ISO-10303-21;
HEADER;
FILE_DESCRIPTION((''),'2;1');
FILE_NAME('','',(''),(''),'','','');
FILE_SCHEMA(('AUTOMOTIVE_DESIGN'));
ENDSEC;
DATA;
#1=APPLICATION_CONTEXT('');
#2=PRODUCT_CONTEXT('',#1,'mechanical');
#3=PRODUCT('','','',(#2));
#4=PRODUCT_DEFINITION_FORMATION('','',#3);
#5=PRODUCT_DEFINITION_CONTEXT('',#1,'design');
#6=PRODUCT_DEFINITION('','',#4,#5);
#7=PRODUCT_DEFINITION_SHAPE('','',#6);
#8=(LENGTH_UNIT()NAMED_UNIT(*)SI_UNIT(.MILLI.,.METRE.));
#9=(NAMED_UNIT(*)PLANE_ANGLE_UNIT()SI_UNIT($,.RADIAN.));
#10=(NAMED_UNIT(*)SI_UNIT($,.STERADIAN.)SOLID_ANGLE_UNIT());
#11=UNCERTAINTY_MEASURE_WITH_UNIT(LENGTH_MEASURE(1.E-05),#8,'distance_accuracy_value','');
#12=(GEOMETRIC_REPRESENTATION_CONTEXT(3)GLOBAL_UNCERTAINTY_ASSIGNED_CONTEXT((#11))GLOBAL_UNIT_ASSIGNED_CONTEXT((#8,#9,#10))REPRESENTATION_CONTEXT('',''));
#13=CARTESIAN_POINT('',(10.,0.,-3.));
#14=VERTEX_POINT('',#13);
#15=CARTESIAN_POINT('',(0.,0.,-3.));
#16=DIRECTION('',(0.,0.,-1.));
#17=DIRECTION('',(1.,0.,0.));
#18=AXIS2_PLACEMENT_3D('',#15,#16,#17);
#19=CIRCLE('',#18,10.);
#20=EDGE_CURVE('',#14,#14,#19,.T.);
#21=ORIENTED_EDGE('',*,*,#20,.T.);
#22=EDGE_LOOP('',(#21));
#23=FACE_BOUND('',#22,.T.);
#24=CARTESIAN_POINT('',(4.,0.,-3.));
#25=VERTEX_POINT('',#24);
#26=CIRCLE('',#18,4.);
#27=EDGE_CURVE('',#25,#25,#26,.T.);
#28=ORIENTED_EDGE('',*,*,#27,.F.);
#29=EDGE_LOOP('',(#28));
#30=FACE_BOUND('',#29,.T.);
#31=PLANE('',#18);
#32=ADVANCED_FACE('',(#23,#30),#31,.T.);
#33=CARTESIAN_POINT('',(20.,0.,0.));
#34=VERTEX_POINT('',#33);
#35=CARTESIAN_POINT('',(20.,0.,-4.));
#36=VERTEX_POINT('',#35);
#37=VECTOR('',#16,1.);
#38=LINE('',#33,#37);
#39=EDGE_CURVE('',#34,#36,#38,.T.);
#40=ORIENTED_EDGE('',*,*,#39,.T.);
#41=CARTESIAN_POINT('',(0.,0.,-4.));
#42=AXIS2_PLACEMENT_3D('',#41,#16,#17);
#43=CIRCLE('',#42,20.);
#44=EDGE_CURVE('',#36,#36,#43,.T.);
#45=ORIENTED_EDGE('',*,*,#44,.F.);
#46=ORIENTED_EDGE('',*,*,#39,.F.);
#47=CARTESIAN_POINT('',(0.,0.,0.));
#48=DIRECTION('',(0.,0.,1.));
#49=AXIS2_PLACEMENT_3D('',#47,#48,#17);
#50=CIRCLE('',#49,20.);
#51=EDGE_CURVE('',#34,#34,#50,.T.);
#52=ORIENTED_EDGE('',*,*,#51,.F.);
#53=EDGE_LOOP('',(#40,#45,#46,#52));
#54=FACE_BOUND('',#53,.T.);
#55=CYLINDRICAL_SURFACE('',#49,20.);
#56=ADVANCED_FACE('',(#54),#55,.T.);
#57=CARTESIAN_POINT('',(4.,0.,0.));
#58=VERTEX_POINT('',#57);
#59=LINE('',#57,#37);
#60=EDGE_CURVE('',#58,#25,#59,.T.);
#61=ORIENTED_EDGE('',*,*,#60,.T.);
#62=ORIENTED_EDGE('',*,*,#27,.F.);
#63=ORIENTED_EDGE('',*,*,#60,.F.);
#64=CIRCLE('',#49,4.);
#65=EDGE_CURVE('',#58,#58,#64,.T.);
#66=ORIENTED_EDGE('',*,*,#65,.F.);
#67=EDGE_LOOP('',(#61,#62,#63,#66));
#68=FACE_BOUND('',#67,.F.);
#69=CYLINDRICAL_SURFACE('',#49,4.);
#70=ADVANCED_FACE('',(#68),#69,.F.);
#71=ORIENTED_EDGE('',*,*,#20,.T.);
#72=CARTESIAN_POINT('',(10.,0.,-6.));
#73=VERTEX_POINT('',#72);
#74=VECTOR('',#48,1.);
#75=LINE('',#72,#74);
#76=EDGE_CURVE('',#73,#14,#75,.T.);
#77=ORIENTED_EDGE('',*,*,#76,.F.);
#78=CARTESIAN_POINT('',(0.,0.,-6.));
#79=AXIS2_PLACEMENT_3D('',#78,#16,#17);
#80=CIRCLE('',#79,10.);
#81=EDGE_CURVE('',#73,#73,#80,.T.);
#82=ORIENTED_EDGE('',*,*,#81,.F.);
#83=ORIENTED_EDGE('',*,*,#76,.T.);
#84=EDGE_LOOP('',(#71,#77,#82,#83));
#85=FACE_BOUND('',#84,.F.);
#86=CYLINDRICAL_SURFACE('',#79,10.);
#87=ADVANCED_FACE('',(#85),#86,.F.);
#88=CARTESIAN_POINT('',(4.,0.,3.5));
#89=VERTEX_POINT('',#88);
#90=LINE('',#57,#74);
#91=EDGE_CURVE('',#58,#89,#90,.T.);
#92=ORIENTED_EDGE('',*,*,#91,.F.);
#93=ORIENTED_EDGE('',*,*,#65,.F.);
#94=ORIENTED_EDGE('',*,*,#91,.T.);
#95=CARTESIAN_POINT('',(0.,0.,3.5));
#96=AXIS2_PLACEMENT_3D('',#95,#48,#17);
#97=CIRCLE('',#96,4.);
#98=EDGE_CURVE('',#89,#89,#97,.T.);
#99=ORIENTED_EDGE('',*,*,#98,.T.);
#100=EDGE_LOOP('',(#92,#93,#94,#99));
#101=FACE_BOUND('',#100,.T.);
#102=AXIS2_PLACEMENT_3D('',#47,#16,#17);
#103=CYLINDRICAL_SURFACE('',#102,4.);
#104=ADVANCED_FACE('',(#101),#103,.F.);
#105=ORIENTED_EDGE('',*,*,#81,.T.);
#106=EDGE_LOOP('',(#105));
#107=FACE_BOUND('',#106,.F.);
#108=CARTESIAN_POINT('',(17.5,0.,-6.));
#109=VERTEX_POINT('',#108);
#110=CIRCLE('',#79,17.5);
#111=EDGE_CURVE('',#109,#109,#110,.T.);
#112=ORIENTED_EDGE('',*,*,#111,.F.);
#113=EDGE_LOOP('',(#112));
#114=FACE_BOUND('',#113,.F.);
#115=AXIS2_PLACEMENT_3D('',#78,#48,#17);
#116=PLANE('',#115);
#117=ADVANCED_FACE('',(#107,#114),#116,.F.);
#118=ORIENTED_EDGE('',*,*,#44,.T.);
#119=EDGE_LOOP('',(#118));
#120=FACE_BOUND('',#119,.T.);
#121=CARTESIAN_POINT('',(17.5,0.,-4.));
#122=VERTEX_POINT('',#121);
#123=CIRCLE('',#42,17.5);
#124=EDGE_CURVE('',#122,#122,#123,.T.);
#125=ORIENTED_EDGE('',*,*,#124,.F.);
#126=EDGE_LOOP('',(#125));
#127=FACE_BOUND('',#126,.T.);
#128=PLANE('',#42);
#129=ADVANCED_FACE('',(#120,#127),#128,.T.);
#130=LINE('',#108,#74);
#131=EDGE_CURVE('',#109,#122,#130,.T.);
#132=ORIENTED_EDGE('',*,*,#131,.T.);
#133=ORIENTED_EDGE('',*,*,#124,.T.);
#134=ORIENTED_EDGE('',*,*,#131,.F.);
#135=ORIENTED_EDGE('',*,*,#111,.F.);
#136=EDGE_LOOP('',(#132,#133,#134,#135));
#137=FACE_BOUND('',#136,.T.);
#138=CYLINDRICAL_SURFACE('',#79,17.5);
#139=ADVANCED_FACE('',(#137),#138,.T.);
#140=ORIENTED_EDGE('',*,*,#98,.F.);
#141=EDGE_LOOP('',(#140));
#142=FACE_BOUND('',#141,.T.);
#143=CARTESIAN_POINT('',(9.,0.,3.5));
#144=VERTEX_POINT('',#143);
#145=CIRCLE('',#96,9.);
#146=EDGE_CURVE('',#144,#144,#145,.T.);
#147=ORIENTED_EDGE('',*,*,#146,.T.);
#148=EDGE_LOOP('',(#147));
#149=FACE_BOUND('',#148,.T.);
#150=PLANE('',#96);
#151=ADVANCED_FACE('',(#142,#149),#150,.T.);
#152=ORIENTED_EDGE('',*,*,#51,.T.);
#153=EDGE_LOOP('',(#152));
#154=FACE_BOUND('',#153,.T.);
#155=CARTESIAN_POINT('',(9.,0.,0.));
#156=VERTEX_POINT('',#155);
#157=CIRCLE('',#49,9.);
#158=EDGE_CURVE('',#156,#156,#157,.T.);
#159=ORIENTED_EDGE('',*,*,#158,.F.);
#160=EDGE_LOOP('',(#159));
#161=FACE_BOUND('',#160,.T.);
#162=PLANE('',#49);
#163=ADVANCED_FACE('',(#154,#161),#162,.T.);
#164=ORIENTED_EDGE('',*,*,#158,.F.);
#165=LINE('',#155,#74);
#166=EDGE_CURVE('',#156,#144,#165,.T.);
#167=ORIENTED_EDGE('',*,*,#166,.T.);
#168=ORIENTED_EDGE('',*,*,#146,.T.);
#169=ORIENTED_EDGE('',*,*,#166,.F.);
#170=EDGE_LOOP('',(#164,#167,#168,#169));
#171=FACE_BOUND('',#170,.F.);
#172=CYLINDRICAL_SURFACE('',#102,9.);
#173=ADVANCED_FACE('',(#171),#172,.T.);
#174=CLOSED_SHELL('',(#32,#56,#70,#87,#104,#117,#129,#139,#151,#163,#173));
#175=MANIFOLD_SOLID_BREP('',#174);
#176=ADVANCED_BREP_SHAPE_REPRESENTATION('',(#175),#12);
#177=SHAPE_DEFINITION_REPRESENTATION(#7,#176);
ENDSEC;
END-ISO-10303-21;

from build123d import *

# Parameters (mm, degrees)
F0_R     = 9
F0_R_2   = 4
F1_DEPTH = 3.5
F0_R_3   = 20
F2_DEPTH = 6
F3_R     = 10
F3_R_2   = 4
F4_DEPTH = 3
F3_R_3   = 20
F3_R_4   = 17.5
F5_DEPTH = 2


with BuildPart() as f1:
    # F0 (on Top) → F1 (new body)
    with BuildSketch(Plane.XY):
        Circle(F0_R)
        Circle(F0_R_2, mode=Mode.SUBTRACT)
    extrude(amount=F1_DEPTH)

    # F0 (on Top) → F2 (join)
    with BuildSketch(Plane.XY):
        Circle(F0_R_3)
        Circle(F0_R, mode=Mode.SUBTRACT)
        Circle(F0_R)
        Circle(F0_R_2, mode=Mode.SUBTRACT)
    extrude(amount=-F2_DEPTH)

    # F3 (on face) → F4 (cut)
    with BuildSketch(Plane(origin=(0, 0, -6), x_dir=(1, 0, 0), z_dir=(0, 0, -1))):
        Circle(F3_R)
        Circle(F3_R_2, mode=Mode.SUBTRACT)
    extrude(amount=-F4_DEPTH, mode=Mode.SUBTRACT)

    # F3 (on face) → F5 (cut)
    with BuildSketch(Plane(origin=(0, 0, -6), x_dir=(1, 0, 0), z_dir=(0, 0, -1))):
        Circle(F3_R_3)
        Circle(F3_R_4, mode=Mode.SUBTRACT)
    extrude(amount=-F5_DEPTH, mode=Mode.SUBTRACT)


solid = f1.part
